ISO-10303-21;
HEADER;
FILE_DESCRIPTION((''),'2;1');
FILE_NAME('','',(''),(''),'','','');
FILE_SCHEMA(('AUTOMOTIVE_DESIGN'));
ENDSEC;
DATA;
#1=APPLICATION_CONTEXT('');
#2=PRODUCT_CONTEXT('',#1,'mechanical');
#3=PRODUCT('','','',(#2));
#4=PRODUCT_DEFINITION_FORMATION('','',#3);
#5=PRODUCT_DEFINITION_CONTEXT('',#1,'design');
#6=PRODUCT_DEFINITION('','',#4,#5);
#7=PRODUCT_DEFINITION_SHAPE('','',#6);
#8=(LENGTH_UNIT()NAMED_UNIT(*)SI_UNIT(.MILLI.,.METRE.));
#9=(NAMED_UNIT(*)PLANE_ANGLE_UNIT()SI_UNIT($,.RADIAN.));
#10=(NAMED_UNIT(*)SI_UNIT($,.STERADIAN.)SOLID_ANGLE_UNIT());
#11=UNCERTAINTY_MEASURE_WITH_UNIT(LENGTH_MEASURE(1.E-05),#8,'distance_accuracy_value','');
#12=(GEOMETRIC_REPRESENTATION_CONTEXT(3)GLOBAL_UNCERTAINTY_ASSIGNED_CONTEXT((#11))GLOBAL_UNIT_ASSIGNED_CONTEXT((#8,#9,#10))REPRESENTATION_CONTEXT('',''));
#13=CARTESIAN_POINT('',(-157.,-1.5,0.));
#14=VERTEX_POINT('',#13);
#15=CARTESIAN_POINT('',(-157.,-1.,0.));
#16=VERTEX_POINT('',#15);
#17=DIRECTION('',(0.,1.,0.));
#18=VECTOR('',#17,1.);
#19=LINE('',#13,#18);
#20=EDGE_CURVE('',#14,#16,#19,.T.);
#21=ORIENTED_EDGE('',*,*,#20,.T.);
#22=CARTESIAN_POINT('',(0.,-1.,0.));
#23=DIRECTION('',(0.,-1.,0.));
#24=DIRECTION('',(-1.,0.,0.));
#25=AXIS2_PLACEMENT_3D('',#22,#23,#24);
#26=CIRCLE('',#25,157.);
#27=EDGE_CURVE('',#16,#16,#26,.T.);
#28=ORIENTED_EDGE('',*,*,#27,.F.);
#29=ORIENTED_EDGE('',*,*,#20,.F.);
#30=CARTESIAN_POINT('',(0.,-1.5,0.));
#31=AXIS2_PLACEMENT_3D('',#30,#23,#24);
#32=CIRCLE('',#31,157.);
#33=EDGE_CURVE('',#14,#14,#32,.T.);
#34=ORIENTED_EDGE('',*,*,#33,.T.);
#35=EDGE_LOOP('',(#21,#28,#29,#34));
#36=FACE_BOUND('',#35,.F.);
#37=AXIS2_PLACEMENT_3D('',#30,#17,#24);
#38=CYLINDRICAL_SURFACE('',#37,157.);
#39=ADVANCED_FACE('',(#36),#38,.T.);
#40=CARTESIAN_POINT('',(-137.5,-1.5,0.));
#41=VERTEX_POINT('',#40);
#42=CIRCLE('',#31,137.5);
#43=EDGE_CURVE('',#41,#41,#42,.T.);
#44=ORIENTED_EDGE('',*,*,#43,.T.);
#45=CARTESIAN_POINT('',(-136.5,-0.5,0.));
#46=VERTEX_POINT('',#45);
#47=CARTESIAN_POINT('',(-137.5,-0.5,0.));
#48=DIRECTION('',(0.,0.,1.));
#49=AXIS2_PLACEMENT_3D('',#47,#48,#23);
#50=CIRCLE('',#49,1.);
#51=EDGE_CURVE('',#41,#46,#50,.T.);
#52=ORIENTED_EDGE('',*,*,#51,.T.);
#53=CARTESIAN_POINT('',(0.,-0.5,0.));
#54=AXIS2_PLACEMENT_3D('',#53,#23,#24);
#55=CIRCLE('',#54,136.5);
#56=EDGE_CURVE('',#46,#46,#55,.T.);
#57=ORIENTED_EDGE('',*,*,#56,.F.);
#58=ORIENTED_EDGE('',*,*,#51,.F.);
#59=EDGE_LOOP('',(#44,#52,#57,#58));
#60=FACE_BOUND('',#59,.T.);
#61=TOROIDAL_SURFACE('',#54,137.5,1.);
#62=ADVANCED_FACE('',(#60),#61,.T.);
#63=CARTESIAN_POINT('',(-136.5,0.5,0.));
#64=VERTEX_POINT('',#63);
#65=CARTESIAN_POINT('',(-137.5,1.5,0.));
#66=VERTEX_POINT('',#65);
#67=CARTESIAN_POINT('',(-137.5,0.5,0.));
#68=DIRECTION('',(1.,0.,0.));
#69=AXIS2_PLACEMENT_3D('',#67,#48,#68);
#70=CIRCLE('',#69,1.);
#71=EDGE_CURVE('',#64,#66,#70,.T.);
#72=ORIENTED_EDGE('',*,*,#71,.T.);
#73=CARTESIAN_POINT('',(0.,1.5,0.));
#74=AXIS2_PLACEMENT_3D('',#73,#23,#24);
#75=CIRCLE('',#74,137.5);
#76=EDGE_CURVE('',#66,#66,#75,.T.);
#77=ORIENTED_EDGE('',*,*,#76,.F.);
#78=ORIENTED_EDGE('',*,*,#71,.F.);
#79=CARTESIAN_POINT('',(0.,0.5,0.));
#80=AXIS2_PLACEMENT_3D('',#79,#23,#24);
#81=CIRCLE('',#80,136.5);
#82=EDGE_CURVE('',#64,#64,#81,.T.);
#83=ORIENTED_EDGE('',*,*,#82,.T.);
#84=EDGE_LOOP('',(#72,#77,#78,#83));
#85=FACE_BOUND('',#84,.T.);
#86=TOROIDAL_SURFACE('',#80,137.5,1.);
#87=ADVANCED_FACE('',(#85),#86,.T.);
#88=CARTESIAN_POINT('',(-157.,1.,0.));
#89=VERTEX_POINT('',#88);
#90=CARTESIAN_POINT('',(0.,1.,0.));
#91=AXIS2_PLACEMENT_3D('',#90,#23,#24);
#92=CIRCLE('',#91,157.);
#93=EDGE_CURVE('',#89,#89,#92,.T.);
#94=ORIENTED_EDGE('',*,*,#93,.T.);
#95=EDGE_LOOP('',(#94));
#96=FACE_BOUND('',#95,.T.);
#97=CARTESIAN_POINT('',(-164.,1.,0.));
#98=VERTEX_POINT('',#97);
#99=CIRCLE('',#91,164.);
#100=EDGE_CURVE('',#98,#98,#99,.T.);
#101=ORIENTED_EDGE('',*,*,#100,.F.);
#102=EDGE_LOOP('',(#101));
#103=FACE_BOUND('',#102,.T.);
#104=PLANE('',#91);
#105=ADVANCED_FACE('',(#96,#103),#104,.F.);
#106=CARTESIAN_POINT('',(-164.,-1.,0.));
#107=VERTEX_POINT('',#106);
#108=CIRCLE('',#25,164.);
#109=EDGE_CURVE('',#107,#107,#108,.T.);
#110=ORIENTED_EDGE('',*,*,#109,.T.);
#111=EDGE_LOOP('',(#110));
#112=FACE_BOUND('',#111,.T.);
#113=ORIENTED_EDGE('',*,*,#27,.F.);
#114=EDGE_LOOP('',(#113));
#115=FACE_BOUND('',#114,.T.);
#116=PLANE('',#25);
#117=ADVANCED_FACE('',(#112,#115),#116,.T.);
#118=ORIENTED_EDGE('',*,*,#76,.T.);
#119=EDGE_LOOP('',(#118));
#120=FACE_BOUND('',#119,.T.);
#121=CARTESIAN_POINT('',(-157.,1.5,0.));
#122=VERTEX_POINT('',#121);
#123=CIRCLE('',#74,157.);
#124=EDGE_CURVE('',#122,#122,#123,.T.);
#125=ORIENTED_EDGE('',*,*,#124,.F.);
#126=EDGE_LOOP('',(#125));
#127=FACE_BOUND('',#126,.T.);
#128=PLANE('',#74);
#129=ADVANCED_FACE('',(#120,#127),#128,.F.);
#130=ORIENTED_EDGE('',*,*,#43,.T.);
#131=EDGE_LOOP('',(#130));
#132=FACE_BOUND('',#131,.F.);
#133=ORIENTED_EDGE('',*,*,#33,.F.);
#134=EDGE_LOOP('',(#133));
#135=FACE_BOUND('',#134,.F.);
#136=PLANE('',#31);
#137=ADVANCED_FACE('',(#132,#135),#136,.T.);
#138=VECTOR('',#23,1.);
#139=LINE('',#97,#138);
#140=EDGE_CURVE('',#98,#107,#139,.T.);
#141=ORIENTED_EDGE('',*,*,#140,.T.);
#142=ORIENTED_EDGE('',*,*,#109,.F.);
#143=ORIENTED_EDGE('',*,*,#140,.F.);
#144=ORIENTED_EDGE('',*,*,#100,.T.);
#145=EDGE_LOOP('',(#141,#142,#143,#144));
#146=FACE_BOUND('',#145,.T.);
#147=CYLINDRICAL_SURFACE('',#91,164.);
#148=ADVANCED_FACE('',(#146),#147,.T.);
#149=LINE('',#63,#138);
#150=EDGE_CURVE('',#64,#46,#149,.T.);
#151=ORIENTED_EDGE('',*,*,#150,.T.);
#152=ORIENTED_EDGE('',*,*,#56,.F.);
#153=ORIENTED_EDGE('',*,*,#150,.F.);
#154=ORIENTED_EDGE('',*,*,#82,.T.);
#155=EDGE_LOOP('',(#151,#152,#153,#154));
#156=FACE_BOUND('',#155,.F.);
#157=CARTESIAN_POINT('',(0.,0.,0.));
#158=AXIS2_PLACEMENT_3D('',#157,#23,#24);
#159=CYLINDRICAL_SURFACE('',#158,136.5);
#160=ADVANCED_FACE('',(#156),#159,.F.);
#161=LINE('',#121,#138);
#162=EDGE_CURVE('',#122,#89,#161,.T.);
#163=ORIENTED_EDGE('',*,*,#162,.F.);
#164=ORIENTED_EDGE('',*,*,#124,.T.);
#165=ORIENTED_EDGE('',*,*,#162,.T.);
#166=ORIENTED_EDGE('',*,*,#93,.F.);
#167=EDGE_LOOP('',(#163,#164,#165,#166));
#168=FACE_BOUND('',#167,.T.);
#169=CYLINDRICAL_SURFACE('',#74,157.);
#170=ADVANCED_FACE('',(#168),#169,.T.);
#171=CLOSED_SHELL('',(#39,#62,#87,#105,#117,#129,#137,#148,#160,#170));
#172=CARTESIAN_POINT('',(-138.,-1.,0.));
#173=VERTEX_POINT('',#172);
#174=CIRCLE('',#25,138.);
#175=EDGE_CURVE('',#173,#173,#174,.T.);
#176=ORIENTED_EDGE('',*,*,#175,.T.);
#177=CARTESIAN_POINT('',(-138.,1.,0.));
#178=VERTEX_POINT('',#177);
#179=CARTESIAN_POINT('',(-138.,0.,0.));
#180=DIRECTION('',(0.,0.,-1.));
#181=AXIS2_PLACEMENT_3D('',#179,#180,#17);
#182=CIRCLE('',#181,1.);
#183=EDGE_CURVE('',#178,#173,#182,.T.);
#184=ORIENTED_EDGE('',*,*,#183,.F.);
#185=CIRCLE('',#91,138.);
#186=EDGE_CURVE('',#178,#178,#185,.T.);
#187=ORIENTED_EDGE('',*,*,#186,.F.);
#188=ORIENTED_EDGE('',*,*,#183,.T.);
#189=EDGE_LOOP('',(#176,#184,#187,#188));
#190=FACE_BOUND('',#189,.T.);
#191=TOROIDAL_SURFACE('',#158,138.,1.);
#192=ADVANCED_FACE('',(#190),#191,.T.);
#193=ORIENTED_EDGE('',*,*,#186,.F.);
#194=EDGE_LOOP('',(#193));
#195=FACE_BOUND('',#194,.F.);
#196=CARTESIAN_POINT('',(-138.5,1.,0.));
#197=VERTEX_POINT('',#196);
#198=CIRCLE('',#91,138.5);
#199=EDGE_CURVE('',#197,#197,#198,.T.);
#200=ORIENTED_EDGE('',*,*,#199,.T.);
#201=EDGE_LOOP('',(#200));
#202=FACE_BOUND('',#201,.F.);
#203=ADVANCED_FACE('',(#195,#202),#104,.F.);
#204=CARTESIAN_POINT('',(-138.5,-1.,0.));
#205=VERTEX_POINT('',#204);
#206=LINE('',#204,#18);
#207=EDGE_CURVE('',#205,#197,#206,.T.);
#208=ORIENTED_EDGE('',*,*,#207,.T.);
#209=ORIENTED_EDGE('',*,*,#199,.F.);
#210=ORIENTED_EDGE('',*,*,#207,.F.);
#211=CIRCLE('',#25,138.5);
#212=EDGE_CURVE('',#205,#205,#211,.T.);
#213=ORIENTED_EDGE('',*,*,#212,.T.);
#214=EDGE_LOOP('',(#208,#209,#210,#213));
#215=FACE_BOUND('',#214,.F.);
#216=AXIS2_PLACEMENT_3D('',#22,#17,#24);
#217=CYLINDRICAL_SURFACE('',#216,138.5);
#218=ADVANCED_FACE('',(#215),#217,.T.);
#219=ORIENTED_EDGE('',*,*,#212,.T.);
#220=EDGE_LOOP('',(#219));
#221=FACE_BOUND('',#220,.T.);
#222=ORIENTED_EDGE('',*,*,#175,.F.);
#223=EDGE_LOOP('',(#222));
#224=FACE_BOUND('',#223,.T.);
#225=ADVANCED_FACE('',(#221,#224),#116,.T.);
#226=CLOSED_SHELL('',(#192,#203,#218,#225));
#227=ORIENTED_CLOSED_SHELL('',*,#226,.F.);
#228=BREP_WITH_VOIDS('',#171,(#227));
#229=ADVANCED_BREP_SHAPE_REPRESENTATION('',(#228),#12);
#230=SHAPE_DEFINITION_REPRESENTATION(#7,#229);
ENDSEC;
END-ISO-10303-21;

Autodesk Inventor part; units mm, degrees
ref_plane "YZ Plane" through (0, 0, 0) normal (1, 0, 0) x (0, 1, 0)
ref_plane "XZ Plane" through (0, 0, 0) normal (0, 1, 0) x (-1, 0, 0)
ref_plane "XY Plane" through (0, 0, 0) normal (0, 0, 1) x (1, 0, 0)
sketch "草图1" plane through (0, 0, 0) normal (0, 0, 1) x (1, 0, 0)
  line L0 (0, 2.3899) -> (0, -2.3899) projected
  line L1 (-163.8, 0) -> (27.3, 0) construction
  line L2 (-136.5, 0) -> (-136.5, 0.5)
  line L3 (-137.5, 1.5) -> (-157, 1.5)
  line L4 (-157, 1.5) -> (-157, 1)
  line L5 (-157, 1) -> (-138, 1)
  line L6 (-137, 0) -> (-137, 0)
  line L7 (-136.5, 0) -> (-136.5, -0.5)
  line L8 (-137.5, -1.5) -> (-157, -1.5)
  line L9 (-157, -1.5) -> (-157, -1)
  line L10 (-157, -1) -> (-138, -1)
  line L11 (-137, 0) -> (-137, 0)
  arc A0 (-137, 0) -> (-138, 1) centre (-138, 0) ccw
  arc A1 (-138, -1) -> (-137, 0) centre (-138, 0) ccw
  arc A2 (-137.5, -1.5) -> (-136.5, -0.5) centre (-137.5, -0.5) ccw
  arc A3 (-136.5, 0.5) -> (-137.5, 1.5) centre (-137.5, 0.5) ccw
  line L12 (-164, -1) -> (-138.5, -1)
  line L13 (-138.5, -1) -> (-138.5, 1)
  line L14 (-138.5, 1) -> (-164, 1)
  line L15 (-164, 1) -> (-164, -1)
  point P0 (0, 0)
  point P1 (-136.5, 1.5)
  point P2 (-137, 1)
  point P3 (-136.5, -1.5)
  point P4 (-137, -1)
  dimension "d16" = 0.5
  dimension "d17" = 0.5
  dimension "IND1" = 273
  dimension "IND3" = 314
  dimension "INT" = 3
  dimension "d21" = 1
  dimension "d22" = 277
  dimension "d23" = 328
revolve "Revolution1" add sketch "草图1" angle 360 about axis through (0, 0, 0) along (0, -1, 0) contours L7 A2 L8 L9 L10 A1 A0 L5 L4 L3 A3 L2
revolve "Revolution2" add sketch "草图1" angle 360 about axis through (0, 0, 0) along (0, -1, 0) contours L5 L13 L10 L12 L15 L14
equation "\"d22\" = IND2"
equation "\"d23\" = IND4"
equation "\"IND2\" = 277"
equation "\"IND4\" = 328"
properties part number "C-250-10 GB/T 13404" material "PAEK Plastic"
